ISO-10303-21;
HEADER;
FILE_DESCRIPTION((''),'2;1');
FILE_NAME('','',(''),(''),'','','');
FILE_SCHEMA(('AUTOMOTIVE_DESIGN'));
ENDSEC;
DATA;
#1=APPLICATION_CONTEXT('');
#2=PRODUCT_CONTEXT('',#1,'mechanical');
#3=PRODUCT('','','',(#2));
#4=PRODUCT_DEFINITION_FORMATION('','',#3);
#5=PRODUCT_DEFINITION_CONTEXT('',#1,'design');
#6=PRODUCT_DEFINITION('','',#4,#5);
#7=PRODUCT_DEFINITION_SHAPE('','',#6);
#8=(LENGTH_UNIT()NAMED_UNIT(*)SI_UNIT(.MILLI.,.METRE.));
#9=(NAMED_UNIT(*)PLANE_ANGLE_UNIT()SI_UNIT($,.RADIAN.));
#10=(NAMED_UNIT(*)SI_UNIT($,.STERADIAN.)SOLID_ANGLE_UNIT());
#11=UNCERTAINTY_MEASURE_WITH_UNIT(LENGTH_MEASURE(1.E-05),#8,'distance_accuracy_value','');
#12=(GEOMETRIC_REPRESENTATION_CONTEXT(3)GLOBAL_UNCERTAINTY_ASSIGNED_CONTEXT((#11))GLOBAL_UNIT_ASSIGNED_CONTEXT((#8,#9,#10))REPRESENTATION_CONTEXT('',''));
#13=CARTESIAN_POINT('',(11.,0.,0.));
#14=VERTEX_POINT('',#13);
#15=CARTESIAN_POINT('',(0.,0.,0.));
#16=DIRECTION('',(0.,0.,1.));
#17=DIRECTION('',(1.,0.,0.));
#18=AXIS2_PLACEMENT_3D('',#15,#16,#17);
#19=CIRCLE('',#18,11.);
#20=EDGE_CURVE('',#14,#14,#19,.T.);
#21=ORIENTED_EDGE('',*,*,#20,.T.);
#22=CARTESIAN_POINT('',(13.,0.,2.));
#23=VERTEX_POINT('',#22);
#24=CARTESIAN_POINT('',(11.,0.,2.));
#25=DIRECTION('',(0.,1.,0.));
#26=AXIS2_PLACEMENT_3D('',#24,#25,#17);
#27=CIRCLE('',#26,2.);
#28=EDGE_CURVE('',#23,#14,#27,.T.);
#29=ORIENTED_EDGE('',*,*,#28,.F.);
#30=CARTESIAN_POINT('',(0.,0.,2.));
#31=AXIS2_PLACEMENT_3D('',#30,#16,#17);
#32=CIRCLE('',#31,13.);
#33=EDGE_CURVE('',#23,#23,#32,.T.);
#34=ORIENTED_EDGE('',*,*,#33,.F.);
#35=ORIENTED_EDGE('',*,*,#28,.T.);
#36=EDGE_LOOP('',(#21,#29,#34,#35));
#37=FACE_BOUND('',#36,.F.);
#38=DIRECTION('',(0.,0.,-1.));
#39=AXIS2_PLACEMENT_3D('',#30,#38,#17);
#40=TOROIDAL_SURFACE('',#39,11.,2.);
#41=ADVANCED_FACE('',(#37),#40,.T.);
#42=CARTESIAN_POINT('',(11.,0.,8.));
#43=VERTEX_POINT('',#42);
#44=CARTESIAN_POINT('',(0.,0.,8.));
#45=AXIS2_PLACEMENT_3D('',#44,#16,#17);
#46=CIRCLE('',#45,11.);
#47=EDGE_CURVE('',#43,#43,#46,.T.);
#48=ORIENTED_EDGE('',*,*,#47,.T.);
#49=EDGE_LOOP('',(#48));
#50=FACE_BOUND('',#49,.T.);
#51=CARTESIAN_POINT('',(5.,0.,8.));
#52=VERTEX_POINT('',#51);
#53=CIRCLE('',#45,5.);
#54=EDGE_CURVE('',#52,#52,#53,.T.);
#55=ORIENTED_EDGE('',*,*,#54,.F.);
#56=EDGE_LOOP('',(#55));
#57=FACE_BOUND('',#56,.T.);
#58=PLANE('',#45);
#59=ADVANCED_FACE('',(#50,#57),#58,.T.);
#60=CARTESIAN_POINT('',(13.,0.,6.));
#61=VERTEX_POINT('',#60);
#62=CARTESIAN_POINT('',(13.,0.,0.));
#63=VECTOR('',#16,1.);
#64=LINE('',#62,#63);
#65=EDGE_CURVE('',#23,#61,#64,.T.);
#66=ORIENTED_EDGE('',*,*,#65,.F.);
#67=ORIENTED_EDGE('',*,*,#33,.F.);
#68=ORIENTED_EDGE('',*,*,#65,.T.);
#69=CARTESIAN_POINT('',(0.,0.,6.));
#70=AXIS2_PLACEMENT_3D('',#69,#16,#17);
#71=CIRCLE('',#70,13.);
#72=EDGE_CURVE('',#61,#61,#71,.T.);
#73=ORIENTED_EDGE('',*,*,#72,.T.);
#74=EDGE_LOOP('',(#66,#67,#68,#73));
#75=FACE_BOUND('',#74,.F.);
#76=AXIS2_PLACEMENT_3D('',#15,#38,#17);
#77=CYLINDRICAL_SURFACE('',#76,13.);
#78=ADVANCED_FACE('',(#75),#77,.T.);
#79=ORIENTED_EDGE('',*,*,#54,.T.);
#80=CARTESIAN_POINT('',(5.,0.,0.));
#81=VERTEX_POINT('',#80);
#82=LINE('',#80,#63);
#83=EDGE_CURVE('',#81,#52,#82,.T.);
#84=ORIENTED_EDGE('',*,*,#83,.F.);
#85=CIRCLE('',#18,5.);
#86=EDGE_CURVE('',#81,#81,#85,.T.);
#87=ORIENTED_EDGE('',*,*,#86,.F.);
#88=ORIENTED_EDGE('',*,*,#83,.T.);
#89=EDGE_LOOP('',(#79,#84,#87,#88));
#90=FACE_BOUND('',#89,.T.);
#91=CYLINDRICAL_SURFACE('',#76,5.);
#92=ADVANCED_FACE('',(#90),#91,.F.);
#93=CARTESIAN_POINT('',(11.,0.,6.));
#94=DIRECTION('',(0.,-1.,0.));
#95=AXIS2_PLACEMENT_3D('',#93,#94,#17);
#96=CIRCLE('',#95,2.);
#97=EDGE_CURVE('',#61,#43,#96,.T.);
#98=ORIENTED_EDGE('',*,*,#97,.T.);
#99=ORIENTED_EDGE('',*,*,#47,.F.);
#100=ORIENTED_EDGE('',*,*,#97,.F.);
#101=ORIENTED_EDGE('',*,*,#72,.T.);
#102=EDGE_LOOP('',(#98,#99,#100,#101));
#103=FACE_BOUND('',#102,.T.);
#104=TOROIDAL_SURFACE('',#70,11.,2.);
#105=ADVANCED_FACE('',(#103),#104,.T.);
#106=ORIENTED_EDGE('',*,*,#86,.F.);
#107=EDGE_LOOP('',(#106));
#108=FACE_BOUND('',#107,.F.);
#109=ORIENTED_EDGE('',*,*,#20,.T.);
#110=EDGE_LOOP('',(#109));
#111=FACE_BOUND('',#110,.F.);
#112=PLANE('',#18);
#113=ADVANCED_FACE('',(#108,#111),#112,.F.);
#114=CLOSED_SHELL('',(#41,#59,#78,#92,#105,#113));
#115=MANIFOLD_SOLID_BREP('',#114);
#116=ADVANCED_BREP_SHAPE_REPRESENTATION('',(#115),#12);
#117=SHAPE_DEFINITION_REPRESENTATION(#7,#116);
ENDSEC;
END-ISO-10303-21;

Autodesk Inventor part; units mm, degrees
ref_plane "YZ Plane" through (0, 0, 0) normal (1, 0, 0) x (0, 1, 0)
ref_plane "XZ Plane" through (0, 0, 0) normal (0, 1, 0) x (-1, 0, 0)
ref_plane "XY Plane" through (0, 0, 0) normal (0, 0, 1) x (1, 0, 0)
sketch "Sketch1" plane through (0, 0, 0) normal (0, 0, 1) x (1, 0, 0)
  circle A0 centre (0, 0) radius 13
  circle A1 centre (0, 0) radius 5
  dimension "d0" = 26
  dimension "d1" = 10
extrude "Extrusion1" add sketch "Sketch1" along normal blind 8
fillet "Fillet1" radius 2 2 edges at (-13, 0, 8) (-13, 0, 0)
properties part number "10x26x8 Bearing" material "Steel, Carbon"
